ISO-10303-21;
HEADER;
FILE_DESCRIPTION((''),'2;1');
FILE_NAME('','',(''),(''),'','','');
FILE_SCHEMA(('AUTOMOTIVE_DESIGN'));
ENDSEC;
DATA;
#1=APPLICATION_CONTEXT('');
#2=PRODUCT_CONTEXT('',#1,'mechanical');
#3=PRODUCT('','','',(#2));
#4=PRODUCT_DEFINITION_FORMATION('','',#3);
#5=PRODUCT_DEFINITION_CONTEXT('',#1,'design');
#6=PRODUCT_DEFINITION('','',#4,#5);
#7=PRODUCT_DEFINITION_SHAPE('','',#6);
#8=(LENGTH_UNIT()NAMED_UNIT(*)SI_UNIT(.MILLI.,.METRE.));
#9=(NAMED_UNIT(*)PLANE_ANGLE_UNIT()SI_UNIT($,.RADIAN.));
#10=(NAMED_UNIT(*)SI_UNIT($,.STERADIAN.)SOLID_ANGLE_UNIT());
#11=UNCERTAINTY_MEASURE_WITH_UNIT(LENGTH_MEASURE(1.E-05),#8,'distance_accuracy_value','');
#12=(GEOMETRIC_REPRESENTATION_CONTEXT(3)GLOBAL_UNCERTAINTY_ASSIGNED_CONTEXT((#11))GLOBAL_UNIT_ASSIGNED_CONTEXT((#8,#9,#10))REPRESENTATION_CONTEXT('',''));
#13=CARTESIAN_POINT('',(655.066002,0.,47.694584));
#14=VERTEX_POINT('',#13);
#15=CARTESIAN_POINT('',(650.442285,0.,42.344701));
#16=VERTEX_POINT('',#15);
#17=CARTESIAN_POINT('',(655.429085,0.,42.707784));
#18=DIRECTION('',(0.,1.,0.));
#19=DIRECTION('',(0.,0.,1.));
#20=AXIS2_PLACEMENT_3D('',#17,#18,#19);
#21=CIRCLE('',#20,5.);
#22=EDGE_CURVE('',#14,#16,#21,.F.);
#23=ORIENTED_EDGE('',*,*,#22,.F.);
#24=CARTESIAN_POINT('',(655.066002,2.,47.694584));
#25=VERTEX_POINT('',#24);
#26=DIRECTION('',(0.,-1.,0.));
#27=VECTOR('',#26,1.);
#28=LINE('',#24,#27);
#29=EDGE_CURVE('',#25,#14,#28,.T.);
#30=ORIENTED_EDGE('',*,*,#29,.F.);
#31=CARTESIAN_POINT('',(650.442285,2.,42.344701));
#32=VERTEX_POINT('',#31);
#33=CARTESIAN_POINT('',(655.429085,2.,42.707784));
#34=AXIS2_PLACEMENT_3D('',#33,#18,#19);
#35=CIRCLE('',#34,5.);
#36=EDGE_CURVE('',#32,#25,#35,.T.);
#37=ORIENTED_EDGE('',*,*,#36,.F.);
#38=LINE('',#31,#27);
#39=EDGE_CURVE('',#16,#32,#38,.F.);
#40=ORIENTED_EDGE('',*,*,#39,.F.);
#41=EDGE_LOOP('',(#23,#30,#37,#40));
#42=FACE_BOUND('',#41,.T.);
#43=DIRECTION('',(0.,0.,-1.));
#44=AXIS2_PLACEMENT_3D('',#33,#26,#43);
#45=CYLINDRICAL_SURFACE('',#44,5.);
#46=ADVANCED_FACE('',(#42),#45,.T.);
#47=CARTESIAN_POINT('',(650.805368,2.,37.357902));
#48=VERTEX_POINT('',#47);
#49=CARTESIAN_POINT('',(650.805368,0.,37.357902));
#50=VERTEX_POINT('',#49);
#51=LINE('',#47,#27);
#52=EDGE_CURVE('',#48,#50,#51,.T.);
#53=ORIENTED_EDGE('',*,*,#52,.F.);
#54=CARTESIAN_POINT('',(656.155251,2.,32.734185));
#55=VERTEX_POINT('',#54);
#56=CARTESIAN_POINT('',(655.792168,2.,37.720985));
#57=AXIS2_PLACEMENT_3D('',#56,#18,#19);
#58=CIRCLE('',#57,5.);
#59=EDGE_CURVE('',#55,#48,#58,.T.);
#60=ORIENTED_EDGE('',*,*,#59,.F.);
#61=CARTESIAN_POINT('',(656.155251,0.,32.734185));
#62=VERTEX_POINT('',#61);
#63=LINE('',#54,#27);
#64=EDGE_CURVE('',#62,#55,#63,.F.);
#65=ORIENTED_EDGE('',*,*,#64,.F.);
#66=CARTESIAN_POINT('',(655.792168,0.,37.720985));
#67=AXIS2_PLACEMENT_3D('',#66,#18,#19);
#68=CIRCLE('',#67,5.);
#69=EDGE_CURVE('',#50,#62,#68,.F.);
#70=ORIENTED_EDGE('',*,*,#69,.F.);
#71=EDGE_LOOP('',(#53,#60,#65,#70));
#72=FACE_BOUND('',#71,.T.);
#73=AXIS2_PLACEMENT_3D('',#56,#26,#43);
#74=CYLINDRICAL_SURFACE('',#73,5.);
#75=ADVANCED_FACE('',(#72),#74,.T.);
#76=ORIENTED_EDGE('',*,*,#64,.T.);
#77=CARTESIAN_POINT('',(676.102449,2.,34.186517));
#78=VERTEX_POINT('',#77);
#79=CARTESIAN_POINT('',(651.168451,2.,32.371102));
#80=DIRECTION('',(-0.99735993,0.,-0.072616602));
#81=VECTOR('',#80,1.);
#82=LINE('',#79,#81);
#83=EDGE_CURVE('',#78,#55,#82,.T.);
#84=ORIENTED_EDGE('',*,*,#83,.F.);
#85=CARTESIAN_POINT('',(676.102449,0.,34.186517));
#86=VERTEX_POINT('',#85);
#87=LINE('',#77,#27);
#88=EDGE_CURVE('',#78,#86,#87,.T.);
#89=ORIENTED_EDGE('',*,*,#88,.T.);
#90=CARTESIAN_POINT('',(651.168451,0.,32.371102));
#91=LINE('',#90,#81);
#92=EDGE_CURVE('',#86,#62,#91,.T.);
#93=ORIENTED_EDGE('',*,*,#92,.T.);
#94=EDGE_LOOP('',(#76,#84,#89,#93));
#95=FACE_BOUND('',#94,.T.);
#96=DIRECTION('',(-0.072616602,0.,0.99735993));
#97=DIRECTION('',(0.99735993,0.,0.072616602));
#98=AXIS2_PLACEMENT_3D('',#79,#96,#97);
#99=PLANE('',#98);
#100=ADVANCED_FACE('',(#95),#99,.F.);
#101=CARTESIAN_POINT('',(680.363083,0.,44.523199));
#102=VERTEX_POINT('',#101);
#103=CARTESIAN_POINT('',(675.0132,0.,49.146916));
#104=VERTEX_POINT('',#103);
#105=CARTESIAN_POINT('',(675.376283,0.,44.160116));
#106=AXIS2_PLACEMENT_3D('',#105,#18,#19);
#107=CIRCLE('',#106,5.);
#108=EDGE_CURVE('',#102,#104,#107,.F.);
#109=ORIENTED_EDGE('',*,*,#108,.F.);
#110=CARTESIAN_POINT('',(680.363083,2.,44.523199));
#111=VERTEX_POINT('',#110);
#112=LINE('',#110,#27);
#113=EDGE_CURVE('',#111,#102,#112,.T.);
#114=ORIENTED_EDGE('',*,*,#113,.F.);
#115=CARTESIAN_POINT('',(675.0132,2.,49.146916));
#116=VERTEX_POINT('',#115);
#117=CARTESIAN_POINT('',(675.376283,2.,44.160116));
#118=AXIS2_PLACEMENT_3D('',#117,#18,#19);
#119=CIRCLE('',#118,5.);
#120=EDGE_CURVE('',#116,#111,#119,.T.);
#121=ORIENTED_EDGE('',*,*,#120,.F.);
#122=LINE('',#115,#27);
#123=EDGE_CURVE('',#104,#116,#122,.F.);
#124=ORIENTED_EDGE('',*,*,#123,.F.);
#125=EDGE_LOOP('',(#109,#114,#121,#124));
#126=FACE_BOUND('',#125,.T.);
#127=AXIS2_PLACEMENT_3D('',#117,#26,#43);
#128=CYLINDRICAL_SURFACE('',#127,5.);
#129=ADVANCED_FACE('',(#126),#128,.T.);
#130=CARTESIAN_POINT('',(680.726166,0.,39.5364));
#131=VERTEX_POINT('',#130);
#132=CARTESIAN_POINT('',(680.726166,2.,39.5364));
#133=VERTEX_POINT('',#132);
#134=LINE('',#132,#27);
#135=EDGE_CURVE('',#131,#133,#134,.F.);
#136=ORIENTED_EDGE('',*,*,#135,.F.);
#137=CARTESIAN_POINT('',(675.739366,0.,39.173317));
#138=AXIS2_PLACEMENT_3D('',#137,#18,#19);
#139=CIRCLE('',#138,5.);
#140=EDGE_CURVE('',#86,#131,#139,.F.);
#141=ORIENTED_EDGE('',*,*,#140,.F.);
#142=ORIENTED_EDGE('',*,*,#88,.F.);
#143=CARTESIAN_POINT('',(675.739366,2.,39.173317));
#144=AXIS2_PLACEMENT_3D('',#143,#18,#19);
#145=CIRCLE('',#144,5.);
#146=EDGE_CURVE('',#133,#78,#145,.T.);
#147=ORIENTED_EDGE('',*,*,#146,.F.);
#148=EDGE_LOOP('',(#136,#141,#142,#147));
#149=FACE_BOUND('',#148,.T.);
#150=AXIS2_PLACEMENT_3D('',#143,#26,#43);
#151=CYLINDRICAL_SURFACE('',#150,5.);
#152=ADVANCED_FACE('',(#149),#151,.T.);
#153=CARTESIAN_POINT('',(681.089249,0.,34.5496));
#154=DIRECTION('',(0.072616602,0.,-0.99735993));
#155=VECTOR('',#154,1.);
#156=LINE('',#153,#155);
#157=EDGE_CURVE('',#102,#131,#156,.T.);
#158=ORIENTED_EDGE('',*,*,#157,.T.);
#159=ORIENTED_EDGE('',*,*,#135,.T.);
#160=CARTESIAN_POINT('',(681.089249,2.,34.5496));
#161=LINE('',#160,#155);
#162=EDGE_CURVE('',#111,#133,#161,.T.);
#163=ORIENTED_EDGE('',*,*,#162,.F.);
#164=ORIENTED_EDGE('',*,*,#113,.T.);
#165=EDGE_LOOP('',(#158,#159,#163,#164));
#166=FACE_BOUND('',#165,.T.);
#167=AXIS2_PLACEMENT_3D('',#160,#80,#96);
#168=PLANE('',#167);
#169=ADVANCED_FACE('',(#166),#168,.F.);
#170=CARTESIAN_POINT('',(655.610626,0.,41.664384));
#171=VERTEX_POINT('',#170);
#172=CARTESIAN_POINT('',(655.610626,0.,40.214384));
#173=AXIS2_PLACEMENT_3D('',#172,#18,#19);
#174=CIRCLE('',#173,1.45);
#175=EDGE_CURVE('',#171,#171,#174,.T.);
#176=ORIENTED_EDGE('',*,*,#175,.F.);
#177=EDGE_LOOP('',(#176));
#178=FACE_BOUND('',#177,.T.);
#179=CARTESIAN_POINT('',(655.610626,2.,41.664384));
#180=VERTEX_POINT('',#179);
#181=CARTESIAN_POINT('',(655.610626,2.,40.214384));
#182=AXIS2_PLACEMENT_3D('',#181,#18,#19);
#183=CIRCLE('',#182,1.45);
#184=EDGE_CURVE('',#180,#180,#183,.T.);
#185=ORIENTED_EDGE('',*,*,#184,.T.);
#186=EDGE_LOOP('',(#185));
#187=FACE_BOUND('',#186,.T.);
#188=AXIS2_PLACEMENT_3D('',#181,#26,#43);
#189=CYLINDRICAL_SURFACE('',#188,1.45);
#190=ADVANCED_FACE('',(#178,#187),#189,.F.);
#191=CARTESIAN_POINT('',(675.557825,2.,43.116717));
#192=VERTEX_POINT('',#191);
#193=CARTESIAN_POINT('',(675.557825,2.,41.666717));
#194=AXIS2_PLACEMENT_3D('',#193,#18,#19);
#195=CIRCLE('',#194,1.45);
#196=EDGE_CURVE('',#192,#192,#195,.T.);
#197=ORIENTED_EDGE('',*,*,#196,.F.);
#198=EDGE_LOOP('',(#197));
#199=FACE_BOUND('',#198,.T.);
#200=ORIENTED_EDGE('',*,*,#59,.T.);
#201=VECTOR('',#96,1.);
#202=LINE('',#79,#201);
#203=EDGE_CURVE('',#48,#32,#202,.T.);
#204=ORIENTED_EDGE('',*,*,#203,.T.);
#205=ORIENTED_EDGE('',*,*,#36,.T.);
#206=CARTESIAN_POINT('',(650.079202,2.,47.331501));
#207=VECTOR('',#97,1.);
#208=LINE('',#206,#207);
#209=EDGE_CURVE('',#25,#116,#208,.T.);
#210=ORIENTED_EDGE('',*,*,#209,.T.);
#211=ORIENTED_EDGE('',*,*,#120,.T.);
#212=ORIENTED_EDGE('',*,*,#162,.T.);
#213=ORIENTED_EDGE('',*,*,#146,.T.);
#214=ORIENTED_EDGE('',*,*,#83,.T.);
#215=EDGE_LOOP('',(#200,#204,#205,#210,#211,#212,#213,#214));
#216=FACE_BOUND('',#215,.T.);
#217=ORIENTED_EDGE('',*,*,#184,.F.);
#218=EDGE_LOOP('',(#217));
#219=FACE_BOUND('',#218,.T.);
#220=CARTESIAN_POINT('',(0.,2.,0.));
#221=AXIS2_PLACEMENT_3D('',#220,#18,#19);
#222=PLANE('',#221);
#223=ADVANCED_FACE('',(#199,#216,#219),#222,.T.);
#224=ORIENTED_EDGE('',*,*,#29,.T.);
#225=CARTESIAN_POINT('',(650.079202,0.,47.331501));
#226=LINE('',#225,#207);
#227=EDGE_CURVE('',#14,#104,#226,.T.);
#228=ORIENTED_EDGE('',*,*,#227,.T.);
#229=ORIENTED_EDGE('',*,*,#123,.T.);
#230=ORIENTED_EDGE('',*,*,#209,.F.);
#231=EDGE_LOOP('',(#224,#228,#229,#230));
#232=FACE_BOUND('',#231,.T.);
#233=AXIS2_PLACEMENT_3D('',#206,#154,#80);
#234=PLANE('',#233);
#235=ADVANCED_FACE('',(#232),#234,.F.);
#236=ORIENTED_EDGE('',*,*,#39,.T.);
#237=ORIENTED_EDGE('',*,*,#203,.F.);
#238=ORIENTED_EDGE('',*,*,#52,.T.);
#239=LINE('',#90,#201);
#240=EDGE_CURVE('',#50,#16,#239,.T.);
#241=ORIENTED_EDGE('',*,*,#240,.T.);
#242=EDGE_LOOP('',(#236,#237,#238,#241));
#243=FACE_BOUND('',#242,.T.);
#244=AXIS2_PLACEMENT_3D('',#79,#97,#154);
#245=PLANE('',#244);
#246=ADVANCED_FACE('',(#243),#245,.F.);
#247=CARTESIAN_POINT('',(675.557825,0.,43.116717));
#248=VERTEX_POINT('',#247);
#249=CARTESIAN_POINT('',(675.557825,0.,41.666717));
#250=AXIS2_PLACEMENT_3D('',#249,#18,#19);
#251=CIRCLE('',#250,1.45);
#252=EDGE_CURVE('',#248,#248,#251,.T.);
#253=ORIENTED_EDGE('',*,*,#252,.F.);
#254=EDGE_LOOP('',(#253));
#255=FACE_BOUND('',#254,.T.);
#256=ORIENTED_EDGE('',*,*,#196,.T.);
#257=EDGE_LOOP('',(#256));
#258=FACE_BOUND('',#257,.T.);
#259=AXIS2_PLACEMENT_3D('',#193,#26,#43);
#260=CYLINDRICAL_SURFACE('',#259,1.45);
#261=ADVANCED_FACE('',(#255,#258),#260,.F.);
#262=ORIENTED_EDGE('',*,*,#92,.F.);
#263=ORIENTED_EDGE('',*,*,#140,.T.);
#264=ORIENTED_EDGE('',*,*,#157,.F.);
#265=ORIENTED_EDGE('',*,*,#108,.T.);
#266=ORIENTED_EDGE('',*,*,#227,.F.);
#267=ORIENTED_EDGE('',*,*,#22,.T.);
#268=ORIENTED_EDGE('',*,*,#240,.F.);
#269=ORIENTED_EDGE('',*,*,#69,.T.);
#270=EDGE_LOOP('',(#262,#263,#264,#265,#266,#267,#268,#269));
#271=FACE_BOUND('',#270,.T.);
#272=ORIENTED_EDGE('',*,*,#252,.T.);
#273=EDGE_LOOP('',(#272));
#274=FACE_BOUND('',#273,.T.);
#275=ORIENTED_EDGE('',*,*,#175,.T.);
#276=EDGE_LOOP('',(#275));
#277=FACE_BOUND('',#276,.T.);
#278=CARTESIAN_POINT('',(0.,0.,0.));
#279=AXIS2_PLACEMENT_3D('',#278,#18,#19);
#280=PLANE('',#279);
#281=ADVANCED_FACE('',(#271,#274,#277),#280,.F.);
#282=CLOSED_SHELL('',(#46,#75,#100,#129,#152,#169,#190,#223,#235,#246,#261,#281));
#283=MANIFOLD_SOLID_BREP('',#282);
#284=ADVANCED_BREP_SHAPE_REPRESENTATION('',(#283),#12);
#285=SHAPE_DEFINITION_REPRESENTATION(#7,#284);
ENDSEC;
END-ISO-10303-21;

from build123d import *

# Parameters (mm, degrees)
SKETCH_1_R      = 1.45
EXTRUDE_1_DEPTH = 2
FILLET_1_R      = 5


with BuildPart() as part:
    # 草图1 → 凸台-拉伸1 (new body)
    with BuildSketch(Plane(origin=(0, 0, 0), x_dir=(1, 0, 0), z_dir=(0, 1, 0))):
        Polygon((651.168451136, -32.371101997), (650.079202112, -47.331500941), (680, -49.50999899), (681.089249024, -34.549600046), align=None)
        with Locations(Location((655.610626272, -40.214384477, 0), (0, 0, 270))):
            Circle(SKETCH_1_R, mode=Mode.SUBTRACT)
        with Locations(Location((675.557824864, -41.66671651, 0), (0, 0, 270))):
            Circle(SKETCH_1_R, mode=Mode.SUBTRACT)
    extrude(amount=EXTRUDE_1_DEPTH)

    # 圆角1
    fillet_1_edges = [part.edges().sort_by_distance(p)[0] for p in [
        (680, 1, 49.50999899),
        (650.079202112, 1, 47.331500941),
        (651.168451136, 1, 32.371101997),
        (681.089249024, 1, 34.549600046),
    ]]
    fillet(fillet_1_edges, radius=FILLET_1_R)


solid = part.part
